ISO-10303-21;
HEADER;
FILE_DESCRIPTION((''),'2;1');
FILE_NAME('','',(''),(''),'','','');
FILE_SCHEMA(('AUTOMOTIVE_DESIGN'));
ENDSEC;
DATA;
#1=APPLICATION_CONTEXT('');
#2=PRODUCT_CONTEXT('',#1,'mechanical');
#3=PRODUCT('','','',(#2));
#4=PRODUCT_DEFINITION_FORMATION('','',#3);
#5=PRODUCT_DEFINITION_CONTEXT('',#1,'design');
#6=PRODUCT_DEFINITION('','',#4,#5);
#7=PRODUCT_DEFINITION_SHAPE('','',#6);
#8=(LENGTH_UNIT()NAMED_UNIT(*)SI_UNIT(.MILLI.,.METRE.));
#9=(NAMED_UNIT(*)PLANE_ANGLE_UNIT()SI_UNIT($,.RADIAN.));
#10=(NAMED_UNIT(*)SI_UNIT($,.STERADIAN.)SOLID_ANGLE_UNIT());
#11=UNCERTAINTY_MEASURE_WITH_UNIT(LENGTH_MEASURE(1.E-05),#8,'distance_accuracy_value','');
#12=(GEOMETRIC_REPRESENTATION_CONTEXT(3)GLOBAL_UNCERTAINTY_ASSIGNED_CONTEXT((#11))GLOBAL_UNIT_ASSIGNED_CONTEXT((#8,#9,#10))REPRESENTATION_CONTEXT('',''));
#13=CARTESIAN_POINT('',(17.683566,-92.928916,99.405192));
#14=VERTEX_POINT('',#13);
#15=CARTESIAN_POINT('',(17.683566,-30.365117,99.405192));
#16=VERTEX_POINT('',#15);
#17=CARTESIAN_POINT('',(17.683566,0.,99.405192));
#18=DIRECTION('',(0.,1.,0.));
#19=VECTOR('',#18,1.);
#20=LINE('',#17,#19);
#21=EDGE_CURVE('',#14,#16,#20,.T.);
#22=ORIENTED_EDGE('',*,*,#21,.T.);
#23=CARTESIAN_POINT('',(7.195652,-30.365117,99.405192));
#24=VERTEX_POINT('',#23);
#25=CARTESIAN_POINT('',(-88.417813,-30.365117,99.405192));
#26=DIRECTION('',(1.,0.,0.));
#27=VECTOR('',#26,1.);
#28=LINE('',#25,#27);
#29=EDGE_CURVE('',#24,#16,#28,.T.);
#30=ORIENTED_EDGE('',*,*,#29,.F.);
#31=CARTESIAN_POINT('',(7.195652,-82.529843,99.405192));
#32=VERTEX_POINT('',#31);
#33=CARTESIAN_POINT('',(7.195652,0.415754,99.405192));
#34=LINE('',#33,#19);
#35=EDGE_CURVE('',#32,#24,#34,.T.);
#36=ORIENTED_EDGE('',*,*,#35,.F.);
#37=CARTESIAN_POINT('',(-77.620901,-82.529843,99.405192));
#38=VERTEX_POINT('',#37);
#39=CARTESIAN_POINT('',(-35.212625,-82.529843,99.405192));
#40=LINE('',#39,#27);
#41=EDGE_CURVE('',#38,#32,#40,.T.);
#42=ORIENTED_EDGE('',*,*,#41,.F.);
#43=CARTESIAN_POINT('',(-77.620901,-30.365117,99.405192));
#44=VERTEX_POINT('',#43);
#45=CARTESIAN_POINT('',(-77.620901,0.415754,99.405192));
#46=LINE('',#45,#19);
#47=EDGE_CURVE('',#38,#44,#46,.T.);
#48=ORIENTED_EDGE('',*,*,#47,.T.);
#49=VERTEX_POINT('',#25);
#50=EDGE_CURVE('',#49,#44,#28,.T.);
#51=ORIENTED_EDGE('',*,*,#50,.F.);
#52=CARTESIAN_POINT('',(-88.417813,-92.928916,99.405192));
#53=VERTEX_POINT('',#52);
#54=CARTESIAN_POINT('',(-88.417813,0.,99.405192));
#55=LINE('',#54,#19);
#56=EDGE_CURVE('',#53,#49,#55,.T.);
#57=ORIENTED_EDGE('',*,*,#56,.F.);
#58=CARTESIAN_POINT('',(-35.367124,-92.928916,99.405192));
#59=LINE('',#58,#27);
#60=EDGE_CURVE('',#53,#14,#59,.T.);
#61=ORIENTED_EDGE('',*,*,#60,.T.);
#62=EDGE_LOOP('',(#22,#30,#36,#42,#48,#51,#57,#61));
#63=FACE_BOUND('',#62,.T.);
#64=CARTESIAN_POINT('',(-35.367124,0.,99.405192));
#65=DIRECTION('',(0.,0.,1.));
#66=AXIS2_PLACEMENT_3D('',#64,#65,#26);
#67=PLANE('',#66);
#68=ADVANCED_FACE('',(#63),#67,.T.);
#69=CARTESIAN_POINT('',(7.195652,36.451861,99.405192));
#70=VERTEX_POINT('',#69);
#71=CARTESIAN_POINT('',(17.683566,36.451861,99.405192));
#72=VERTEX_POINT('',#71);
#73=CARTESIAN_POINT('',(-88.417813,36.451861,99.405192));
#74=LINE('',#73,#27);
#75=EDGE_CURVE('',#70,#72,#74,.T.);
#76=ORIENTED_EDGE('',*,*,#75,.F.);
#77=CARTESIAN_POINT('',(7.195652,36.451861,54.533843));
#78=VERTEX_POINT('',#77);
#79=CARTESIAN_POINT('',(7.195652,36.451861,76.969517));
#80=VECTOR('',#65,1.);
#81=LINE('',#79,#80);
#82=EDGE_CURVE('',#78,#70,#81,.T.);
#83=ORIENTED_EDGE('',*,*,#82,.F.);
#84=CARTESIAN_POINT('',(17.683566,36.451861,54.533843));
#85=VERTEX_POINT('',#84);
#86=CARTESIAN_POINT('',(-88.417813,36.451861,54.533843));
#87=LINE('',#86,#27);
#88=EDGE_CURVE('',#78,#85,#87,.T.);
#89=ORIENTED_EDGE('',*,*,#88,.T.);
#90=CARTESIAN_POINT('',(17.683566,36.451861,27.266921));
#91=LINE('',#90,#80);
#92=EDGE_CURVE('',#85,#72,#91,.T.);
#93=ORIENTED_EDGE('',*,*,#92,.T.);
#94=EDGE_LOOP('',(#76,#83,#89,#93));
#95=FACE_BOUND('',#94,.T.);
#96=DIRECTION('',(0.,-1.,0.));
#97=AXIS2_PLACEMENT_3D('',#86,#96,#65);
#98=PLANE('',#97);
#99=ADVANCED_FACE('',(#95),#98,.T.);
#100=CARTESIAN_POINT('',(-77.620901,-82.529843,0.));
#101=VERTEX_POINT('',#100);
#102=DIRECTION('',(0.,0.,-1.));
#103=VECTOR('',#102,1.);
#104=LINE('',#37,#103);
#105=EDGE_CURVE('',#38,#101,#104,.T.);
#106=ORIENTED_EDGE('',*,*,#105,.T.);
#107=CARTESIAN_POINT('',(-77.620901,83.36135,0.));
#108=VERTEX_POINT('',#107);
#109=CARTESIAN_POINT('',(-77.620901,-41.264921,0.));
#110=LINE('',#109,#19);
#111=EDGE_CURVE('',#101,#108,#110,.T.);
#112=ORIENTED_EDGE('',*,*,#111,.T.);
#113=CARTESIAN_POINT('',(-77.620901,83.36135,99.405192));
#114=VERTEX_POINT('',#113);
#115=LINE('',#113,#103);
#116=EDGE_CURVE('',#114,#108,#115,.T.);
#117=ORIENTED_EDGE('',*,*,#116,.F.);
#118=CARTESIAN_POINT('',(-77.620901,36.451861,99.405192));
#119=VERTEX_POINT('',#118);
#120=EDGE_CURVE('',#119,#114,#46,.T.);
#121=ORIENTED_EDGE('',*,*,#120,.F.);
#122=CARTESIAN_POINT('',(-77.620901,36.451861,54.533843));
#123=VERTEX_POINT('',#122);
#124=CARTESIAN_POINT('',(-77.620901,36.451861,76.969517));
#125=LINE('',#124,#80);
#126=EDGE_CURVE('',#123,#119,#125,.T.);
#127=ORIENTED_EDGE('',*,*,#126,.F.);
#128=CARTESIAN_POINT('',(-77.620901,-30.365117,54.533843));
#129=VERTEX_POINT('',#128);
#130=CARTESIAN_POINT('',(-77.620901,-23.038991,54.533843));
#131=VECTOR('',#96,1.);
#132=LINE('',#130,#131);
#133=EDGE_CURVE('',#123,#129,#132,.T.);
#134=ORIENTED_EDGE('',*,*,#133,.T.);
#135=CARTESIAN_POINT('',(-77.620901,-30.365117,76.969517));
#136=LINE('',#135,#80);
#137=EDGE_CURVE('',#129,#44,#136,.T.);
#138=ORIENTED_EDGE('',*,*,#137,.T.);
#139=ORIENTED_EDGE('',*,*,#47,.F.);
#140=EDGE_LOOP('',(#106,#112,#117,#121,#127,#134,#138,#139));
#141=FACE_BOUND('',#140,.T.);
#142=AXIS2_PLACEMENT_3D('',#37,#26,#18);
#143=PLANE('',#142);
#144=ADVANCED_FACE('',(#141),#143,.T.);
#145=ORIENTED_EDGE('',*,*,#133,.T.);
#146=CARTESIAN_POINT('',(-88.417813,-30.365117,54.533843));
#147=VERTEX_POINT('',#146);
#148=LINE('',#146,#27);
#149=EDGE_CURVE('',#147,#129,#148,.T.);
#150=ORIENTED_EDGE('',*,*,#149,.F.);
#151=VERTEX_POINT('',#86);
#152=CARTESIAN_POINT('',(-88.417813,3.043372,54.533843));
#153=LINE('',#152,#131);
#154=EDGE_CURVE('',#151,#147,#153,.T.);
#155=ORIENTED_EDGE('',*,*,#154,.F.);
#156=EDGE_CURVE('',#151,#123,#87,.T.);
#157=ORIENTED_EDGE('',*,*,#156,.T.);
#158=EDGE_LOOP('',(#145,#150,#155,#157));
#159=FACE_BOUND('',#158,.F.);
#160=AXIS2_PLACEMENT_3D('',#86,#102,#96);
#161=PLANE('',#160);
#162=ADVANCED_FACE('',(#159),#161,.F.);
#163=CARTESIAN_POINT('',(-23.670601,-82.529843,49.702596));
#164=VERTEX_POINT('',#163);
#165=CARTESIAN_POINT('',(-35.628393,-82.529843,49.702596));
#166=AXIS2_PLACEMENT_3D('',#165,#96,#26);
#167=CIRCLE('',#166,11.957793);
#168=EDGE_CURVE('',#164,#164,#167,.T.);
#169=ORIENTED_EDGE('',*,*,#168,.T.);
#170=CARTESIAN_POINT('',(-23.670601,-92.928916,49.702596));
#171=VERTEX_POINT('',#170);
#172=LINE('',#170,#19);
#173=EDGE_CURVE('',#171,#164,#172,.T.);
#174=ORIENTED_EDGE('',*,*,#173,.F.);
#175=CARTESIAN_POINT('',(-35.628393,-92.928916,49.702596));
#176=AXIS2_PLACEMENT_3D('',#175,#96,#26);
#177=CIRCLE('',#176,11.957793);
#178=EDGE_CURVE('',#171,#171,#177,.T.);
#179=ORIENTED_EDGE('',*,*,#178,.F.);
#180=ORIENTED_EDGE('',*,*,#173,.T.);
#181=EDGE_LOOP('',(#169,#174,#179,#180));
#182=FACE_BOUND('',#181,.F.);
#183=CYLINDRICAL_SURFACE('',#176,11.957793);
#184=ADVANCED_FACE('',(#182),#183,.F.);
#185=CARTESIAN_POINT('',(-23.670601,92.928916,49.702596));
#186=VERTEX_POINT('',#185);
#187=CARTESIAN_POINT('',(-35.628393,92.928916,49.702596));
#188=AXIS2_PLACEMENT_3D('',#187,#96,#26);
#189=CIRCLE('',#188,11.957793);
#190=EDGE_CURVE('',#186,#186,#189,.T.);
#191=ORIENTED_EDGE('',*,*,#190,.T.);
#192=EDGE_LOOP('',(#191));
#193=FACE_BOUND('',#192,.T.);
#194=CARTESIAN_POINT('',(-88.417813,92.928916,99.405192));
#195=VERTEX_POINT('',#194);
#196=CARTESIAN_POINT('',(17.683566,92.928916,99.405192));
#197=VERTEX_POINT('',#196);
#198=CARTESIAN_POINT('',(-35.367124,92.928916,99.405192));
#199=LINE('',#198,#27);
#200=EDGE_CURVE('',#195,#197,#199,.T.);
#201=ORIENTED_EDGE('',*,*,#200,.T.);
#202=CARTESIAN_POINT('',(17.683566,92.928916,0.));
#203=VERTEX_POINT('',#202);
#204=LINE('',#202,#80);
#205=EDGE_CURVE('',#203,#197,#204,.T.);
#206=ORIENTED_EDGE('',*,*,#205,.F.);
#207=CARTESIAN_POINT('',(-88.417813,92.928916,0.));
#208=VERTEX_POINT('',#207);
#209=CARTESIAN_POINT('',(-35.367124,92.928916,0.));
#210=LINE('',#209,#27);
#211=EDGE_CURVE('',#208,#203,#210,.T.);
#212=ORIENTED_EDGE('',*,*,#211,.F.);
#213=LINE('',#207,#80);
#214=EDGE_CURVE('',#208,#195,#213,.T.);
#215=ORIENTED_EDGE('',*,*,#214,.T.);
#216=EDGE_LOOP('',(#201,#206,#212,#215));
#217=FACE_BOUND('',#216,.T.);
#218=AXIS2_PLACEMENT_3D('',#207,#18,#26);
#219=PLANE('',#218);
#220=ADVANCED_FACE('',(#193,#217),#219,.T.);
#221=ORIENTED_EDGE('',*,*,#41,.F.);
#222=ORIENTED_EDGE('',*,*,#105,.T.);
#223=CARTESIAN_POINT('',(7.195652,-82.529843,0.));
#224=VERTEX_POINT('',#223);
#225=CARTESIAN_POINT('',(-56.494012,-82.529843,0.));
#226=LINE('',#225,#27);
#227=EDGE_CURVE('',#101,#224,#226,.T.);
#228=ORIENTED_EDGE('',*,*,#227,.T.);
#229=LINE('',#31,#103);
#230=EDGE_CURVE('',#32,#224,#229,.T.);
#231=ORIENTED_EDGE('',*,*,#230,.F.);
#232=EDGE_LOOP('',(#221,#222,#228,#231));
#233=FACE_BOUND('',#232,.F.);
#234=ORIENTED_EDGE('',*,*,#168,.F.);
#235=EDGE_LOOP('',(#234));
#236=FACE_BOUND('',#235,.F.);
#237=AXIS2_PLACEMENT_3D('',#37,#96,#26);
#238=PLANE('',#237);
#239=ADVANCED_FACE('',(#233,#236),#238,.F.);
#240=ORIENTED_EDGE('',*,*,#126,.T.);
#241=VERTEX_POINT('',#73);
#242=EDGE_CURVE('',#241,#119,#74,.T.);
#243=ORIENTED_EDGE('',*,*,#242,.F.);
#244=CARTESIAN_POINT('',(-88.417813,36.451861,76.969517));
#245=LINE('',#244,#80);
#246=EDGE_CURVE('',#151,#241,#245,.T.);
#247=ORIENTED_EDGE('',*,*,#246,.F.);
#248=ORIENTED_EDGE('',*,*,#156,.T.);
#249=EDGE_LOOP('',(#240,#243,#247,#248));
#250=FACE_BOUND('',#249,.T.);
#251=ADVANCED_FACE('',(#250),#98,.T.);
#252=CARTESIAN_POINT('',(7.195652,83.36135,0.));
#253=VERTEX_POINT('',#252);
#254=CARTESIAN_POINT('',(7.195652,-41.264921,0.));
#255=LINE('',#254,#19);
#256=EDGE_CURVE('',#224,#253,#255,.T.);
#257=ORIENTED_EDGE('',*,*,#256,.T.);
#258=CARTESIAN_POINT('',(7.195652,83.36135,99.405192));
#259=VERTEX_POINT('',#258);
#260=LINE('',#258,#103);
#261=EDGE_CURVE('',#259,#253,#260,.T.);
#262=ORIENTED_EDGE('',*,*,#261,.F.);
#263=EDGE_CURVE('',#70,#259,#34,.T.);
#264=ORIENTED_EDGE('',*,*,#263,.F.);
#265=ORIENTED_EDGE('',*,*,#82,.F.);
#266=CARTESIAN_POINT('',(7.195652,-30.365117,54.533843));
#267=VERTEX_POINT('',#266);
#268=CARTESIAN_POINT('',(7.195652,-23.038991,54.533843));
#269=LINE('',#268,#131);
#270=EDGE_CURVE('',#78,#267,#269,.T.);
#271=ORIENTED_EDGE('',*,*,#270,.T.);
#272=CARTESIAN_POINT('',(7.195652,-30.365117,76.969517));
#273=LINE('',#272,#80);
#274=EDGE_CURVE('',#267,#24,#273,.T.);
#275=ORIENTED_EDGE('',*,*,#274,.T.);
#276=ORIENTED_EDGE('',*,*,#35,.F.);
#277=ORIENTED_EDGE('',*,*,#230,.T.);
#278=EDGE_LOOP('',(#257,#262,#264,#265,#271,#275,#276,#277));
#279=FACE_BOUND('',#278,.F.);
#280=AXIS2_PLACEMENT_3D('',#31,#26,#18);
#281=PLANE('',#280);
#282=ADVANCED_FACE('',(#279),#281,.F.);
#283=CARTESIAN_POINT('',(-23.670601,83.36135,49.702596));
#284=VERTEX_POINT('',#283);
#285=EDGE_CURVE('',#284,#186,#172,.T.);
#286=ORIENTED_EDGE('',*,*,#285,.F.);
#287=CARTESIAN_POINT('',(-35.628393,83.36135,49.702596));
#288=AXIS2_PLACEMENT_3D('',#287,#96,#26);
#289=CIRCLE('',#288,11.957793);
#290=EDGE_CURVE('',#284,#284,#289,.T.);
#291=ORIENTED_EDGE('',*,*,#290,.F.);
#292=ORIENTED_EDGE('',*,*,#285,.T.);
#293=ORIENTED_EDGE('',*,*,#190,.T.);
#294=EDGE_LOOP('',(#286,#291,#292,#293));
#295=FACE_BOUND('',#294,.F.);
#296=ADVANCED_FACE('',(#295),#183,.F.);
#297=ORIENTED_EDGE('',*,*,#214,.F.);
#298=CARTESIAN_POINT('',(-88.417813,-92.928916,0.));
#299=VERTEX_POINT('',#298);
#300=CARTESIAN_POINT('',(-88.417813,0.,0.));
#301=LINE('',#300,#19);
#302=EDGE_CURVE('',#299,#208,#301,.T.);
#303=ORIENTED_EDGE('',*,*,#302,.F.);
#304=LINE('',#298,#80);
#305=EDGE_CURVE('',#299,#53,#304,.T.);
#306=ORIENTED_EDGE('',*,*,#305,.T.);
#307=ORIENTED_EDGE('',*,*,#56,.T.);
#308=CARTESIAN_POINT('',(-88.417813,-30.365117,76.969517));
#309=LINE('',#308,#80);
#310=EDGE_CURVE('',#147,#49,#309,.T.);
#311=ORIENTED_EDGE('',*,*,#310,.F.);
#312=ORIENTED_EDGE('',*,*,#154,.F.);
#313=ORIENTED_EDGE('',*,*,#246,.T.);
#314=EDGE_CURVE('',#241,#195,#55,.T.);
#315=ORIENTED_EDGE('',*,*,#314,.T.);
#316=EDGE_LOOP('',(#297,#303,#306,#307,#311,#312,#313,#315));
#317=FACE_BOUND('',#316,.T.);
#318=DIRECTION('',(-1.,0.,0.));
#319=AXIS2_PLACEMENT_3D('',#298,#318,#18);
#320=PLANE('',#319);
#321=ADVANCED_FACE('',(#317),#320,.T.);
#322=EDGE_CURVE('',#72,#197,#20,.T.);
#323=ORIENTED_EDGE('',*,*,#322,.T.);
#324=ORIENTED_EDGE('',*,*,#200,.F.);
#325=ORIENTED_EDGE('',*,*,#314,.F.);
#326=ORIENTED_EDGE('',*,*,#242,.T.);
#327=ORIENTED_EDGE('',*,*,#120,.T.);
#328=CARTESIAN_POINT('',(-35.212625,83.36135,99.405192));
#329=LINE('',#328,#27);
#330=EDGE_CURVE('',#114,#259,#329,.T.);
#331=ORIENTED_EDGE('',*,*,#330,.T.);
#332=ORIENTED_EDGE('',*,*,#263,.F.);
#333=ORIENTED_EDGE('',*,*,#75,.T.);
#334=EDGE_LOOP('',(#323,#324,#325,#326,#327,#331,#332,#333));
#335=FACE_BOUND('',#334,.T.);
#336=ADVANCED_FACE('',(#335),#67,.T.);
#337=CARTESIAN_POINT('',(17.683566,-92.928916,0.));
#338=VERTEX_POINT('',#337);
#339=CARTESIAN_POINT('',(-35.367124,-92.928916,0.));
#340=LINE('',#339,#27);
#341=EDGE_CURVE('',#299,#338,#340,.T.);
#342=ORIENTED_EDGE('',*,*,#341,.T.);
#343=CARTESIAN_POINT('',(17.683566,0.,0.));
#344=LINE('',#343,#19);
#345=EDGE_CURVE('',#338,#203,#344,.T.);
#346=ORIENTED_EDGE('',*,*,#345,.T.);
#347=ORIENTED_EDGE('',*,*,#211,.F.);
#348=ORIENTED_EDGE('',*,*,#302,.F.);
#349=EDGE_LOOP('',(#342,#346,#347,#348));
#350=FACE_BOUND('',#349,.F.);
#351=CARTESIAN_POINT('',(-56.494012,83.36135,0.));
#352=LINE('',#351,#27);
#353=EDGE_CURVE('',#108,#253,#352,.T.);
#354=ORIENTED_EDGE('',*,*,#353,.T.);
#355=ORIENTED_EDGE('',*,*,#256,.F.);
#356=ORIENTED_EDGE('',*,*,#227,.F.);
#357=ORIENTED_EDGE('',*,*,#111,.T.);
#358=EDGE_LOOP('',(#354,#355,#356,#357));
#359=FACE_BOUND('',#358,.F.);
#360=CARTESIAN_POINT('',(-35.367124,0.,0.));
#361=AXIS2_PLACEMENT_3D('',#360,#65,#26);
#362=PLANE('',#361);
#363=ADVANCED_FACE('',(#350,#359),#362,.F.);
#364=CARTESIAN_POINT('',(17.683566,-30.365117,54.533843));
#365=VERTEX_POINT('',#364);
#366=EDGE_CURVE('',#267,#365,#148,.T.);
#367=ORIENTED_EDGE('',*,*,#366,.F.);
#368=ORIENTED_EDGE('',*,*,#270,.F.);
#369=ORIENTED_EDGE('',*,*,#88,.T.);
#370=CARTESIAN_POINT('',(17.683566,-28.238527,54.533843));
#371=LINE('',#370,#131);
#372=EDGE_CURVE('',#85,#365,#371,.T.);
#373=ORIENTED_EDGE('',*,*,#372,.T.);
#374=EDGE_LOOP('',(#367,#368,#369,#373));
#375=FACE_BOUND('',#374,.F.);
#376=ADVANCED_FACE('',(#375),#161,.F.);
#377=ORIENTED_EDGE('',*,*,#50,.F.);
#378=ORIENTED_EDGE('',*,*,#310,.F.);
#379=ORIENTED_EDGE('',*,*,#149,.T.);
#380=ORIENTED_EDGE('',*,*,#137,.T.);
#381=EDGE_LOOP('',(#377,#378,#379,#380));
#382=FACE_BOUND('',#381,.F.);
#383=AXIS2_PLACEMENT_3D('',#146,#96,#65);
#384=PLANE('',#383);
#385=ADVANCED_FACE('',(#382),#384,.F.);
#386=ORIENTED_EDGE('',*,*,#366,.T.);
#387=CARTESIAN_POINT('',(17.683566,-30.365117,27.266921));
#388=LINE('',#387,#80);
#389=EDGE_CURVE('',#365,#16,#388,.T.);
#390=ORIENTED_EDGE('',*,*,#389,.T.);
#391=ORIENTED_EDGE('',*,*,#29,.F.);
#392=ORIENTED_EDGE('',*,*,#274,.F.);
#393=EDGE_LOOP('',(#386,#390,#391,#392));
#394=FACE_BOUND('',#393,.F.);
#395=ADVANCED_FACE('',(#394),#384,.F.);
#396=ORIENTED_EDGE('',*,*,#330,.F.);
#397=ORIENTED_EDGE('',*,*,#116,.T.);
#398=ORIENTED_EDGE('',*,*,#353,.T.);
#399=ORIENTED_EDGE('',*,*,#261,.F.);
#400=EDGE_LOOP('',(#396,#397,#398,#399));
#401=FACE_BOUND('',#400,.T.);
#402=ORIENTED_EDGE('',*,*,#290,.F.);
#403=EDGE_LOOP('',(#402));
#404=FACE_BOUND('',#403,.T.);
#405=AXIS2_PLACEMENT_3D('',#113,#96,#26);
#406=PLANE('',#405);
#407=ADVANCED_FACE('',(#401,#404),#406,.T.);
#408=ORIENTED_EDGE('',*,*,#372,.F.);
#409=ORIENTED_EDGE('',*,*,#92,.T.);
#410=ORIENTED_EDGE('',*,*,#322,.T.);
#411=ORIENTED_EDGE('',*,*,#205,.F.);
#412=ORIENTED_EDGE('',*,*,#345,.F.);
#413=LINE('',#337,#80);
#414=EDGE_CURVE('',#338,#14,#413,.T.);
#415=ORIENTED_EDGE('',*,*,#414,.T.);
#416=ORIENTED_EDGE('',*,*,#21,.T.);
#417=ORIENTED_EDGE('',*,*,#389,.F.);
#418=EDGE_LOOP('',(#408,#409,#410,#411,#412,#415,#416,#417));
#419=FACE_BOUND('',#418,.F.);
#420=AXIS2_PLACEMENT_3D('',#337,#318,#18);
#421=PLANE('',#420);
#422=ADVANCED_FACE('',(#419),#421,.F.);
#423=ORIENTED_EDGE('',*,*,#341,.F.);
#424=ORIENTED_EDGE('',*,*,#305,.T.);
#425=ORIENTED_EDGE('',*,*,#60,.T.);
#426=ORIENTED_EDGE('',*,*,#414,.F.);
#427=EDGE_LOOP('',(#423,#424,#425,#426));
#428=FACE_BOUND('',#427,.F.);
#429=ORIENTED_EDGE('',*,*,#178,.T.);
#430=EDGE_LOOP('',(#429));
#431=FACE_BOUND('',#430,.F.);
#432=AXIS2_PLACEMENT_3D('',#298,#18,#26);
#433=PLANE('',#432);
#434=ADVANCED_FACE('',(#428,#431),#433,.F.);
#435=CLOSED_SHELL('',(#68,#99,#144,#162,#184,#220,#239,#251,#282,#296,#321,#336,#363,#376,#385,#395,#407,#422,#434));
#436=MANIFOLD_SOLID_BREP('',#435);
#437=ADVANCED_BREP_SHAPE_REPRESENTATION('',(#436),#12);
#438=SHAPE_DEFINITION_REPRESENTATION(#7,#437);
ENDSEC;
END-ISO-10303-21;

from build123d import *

# Parameters (mm, degrees)
F0_W     = 106.1013787985
F0_H     = 185.8578324318
F1_DEPTH = 99.4051918387
F2_R     = 11.9577926149
F3_DEPTH = 185.8588324318
F4_W     = 66.8169781566
F4_H     = 44.8713488877
F5_DEPTH = 106.1023787985
F6_W     = 84.8165526986
F6_H     = 165.8911928535
F7_DEPTH = 99.4061918387


with BuildPart() as f1:
    # F0 (on Top) → F1 (new body)
    with BuildSketch(Plane.XY):
        with Locations((-35.3671237826, 0)):
            Rectangle(F0_W, F0_H)
    extrude(amount=F1_DEPTH)

    # F2 (on face) → F3 (cut, through all)
    with BuildSketch(Plane.XZ.offset(92.9289162159)):
        with Locations((-35.6283932924, 49.7025959194)):
            Circle(F2_R)
    extrude(amount=-F3_DEPTH, mode=Mode.SUBTRACT)

    # F4 (on face) → F5 (cut, through all)
    with BuildSketch(Plane(origin=(-88.4178131819, 0, 0), x_dir=(0, -1, 0), z_dir=(-1, 0, 0))):
        with Locations((-3.043372184, 76.9695173949)):
            Rectangle(F4_W, F4_H)
    extrude(amount=-F5_DEPTH, mode=Mode.SUBTRACT)

    # F6 (on face) → F7 (cut, through all)
    with BuildSketch(Plane.XY.offset(99.4051918387)):
        with Locations((-35.2126248181, 0.4157535732)):
            Rectangle(F6_W, F6_H)
    extrude(amount=-F7_DEPTH, mode=Mode.SUBTRACT)


solid = f1.part
